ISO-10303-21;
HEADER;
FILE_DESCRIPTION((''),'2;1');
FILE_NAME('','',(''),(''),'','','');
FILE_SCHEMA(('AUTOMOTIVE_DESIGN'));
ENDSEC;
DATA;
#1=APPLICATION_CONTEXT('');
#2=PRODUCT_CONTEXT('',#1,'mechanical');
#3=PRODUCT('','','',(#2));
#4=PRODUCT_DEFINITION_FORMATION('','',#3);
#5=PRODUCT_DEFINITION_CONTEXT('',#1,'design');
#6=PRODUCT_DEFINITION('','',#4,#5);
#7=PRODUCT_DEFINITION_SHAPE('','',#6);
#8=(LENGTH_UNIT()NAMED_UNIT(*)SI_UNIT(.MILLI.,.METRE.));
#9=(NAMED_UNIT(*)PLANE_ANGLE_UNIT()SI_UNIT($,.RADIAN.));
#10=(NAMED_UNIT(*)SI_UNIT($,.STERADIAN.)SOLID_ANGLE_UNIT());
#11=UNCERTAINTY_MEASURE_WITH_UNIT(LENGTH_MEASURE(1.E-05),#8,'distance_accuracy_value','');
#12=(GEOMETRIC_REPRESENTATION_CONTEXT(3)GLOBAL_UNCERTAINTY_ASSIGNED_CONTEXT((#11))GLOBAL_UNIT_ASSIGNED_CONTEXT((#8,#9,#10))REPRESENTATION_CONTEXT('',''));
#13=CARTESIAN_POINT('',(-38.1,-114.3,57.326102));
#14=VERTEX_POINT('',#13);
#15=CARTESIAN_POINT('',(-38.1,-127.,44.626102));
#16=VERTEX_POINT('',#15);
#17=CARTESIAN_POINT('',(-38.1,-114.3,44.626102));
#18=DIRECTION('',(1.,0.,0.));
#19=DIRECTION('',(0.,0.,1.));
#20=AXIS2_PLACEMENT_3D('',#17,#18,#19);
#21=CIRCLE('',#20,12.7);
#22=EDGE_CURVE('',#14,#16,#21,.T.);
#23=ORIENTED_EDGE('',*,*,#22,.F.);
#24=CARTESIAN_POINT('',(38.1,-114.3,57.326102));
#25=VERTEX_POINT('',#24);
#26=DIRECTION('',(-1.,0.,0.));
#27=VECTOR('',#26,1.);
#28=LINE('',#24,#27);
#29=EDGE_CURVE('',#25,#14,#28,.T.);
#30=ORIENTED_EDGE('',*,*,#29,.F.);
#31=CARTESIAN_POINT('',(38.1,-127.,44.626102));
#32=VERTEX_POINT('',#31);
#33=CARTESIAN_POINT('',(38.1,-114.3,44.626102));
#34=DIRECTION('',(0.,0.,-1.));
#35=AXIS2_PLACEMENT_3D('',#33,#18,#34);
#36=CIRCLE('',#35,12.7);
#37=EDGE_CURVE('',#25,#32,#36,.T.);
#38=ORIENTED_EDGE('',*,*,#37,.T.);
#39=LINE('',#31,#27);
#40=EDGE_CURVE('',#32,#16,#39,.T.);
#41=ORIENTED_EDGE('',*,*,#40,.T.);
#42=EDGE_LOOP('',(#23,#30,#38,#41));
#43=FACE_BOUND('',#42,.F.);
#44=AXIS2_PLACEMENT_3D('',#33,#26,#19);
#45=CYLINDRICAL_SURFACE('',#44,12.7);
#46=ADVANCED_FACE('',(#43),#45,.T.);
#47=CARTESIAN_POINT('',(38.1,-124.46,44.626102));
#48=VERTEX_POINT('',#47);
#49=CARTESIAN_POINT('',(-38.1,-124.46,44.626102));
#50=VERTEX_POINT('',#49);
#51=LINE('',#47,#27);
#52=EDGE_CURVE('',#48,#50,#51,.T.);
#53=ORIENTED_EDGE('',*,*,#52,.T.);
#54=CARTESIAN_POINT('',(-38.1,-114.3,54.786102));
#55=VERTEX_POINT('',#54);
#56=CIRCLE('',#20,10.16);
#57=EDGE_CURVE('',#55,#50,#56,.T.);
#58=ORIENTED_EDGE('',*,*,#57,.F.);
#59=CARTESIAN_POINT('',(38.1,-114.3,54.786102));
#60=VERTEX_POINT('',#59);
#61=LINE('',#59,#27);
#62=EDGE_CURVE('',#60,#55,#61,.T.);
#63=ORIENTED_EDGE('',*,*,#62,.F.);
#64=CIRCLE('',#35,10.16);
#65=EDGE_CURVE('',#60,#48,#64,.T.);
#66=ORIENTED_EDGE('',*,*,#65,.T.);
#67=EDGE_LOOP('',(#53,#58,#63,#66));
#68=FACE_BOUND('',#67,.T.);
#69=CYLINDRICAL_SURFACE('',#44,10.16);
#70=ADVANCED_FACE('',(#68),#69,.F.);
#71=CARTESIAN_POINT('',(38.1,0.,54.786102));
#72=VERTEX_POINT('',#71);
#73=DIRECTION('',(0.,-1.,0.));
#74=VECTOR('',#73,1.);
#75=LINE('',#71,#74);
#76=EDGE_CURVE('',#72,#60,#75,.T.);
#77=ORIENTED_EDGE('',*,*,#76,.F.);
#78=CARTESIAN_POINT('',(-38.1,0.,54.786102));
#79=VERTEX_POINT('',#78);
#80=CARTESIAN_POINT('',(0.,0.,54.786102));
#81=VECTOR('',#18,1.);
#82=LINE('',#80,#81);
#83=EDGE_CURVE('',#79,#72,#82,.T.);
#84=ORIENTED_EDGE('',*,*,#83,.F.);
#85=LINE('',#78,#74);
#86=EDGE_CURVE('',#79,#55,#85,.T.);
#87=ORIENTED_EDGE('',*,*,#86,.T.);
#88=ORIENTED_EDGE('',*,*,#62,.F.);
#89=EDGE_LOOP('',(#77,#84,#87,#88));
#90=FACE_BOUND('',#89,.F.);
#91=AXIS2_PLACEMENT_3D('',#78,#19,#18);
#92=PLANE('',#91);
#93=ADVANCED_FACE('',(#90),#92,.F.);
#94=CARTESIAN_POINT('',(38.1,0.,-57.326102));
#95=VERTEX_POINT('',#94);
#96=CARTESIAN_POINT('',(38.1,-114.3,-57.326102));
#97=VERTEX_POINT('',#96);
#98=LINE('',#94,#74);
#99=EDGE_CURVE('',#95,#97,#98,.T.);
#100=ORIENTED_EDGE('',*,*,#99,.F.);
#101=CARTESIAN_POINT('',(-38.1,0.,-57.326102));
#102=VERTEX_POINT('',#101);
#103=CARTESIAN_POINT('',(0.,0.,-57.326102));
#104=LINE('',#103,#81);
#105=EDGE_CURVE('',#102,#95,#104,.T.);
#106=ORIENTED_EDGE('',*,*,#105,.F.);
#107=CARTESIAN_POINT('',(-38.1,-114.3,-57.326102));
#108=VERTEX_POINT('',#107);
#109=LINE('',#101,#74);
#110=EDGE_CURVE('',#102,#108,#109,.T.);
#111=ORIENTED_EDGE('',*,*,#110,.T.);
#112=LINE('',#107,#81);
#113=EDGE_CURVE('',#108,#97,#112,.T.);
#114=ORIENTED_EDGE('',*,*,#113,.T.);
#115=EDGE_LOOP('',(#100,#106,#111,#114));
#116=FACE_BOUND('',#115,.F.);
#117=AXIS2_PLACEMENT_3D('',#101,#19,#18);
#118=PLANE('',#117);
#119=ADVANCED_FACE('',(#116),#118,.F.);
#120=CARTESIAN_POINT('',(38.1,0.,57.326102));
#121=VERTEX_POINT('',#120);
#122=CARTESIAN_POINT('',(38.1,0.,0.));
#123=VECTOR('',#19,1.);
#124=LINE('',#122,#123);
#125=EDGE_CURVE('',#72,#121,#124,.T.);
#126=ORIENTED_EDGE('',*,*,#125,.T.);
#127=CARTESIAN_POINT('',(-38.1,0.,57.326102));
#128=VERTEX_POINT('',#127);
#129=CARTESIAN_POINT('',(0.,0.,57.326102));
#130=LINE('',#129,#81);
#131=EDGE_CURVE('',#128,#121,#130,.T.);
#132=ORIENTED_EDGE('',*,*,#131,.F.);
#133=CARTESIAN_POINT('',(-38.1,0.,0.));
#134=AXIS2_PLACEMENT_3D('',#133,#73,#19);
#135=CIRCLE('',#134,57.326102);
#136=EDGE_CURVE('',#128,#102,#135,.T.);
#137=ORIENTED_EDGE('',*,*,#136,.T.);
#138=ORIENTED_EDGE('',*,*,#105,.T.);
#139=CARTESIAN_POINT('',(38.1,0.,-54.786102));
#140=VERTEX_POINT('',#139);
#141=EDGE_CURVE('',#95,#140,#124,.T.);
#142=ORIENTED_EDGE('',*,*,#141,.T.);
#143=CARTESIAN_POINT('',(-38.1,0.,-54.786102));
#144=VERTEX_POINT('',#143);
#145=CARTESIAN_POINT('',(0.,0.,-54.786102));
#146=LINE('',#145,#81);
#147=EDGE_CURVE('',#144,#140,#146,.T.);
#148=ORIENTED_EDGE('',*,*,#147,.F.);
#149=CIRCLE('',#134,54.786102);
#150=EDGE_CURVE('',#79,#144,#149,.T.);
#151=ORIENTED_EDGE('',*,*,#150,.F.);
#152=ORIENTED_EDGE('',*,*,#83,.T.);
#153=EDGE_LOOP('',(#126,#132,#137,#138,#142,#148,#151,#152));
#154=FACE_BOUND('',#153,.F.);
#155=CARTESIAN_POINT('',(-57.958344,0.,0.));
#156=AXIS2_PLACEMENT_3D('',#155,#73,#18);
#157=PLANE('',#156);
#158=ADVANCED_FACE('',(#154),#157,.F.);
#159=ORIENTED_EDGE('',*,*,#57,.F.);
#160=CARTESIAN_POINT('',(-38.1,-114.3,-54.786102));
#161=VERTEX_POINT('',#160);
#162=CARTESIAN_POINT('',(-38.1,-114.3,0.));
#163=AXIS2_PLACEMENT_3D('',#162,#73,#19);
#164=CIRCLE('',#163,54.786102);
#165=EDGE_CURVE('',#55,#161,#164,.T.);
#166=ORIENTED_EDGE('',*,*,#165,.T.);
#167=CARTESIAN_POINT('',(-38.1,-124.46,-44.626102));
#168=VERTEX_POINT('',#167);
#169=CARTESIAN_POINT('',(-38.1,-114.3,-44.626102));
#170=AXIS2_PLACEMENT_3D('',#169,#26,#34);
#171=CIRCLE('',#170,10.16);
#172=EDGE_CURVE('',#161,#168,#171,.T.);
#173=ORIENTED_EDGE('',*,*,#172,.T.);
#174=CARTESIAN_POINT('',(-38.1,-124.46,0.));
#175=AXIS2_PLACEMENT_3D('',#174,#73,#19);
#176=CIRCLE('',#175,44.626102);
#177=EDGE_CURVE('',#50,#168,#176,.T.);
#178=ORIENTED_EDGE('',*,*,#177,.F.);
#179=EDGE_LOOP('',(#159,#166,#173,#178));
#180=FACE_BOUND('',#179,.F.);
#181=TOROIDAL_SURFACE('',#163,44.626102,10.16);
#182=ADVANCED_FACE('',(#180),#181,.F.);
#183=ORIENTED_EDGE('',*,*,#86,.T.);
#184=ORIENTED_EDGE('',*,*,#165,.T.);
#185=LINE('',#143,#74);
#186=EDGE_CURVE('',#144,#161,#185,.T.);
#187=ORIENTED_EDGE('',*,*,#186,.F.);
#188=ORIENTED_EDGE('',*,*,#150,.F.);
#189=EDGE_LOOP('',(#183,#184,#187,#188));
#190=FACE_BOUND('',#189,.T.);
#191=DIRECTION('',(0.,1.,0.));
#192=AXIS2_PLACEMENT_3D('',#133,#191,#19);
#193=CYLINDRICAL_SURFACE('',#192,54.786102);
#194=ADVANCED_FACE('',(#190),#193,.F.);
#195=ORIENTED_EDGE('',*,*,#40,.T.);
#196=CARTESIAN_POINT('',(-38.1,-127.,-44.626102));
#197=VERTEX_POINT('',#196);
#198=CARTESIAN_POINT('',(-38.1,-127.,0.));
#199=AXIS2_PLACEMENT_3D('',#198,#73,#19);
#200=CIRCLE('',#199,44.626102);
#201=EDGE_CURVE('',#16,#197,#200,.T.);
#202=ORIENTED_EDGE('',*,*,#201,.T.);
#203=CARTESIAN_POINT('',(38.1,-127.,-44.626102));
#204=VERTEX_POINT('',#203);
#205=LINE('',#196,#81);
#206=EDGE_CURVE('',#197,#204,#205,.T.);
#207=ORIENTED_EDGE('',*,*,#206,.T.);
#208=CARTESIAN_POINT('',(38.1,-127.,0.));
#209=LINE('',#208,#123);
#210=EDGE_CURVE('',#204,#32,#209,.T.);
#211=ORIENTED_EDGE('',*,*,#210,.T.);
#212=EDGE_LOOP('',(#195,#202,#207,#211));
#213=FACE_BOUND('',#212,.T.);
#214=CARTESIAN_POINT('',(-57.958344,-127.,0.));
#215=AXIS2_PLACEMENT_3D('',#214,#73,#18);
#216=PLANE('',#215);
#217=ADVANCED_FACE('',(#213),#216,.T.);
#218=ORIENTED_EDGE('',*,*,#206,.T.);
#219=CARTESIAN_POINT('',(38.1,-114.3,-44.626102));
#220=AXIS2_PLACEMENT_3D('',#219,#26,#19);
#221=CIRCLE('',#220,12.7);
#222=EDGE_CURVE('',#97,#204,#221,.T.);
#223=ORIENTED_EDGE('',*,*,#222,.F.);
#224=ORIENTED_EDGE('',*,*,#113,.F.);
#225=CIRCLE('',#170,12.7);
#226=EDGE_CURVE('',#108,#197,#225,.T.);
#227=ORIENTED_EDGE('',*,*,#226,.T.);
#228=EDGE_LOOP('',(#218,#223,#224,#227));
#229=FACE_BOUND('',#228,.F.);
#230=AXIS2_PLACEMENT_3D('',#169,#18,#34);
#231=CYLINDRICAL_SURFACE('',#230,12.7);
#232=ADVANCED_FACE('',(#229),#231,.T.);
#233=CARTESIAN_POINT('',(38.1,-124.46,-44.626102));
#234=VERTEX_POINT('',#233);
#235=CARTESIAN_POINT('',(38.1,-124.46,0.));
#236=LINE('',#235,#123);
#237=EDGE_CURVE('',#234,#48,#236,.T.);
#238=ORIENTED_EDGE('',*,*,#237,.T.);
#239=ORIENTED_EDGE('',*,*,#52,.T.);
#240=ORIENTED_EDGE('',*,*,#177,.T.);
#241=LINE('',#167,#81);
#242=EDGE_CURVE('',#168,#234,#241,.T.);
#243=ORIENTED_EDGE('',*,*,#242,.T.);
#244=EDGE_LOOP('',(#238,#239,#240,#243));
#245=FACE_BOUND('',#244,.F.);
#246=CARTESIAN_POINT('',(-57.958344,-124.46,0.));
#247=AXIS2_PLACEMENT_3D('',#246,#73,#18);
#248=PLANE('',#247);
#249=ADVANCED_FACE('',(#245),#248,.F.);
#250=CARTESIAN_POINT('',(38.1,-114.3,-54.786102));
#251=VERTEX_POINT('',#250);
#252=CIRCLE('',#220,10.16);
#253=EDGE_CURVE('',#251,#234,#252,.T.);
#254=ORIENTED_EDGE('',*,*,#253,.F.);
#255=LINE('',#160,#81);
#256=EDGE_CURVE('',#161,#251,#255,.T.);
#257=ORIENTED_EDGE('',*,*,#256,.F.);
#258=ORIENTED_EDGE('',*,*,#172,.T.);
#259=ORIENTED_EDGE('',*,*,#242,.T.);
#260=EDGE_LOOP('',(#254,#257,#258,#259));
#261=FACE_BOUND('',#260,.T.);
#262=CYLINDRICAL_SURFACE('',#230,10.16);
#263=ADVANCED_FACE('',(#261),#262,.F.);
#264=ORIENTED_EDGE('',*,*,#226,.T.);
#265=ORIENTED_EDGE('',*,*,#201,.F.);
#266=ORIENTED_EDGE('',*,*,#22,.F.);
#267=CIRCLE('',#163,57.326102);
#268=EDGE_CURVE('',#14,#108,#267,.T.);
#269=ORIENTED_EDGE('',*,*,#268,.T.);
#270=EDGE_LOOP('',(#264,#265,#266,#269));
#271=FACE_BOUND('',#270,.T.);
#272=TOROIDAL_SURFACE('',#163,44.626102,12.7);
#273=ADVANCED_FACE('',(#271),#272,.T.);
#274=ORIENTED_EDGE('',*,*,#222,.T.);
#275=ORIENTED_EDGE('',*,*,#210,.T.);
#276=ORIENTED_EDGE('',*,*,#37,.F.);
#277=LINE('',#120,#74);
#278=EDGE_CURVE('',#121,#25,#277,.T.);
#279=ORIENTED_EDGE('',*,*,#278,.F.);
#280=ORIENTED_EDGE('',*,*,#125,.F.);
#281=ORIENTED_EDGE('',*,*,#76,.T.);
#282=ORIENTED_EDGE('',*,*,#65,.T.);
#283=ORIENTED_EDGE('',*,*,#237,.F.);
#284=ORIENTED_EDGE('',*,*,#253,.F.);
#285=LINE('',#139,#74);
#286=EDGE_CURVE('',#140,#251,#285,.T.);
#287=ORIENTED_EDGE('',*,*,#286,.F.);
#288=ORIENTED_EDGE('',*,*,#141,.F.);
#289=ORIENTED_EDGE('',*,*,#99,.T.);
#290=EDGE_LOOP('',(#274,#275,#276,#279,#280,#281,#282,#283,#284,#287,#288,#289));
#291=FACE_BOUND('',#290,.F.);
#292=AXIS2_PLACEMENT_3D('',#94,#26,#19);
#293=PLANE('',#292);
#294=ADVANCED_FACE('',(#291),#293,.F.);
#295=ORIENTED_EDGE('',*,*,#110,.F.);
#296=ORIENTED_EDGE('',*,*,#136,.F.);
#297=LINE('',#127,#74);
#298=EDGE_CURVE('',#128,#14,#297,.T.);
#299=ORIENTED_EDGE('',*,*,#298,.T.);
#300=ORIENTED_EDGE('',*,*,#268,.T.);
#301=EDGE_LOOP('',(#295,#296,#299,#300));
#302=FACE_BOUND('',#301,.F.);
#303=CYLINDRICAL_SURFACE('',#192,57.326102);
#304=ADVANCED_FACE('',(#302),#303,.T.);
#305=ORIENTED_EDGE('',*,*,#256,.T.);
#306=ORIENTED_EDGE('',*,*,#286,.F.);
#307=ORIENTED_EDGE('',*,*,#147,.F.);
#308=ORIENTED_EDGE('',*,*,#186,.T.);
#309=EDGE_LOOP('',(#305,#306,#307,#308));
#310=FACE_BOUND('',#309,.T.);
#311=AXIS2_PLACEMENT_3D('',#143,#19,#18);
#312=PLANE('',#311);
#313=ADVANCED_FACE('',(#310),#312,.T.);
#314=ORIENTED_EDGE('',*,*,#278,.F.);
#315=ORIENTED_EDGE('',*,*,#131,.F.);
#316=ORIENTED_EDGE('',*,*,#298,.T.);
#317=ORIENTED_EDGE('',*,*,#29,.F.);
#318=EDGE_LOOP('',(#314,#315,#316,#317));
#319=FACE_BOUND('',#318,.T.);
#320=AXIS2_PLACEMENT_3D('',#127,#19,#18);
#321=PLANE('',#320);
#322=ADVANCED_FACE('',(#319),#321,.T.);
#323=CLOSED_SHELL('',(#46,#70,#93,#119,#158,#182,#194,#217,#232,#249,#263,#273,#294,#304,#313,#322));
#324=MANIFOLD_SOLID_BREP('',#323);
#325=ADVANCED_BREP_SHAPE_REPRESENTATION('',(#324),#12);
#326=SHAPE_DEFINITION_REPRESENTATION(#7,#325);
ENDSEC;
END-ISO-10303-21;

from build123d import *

# Parameters (mm, degrees)
F0_W     = 76.2
F0_H     = 114.652204
F2_DEPTH = 127
F3_R     = 12.7
F1_T     = -2.54


with BuildPart() as f2:
    # F0 (on Front) → F2 (new body)
    with BuildSketch(Plane.XZ):
        with BuildLine():
            Line((-38.1, -57.326102), (-38.1, 57.326102))
            ThreePointArc((-38.1, 57.326102), (-95.426102, 0), (-38.1, -57.326102))
        make_face()
        Rectangle(F0_W, F0_H)
    extrude(amount=F2_DEPTH)

    # F3
    f3_edges = [f2.edges().sort_by_distance(p)[0] for p in [
        (-95.426102, -127, 0),
    ]]
    fillet(f3_edges, radius=F3_R)

    # F1
    f1_openings = [f2.faces().sort_by_distance(p)[0] for p in [
        (38.1, -63.210212, 0),
        (-23.187149, 0, 0),
    ]]
    offset(amount=F1_T, openings=f1_openings)


solid = f2.part
